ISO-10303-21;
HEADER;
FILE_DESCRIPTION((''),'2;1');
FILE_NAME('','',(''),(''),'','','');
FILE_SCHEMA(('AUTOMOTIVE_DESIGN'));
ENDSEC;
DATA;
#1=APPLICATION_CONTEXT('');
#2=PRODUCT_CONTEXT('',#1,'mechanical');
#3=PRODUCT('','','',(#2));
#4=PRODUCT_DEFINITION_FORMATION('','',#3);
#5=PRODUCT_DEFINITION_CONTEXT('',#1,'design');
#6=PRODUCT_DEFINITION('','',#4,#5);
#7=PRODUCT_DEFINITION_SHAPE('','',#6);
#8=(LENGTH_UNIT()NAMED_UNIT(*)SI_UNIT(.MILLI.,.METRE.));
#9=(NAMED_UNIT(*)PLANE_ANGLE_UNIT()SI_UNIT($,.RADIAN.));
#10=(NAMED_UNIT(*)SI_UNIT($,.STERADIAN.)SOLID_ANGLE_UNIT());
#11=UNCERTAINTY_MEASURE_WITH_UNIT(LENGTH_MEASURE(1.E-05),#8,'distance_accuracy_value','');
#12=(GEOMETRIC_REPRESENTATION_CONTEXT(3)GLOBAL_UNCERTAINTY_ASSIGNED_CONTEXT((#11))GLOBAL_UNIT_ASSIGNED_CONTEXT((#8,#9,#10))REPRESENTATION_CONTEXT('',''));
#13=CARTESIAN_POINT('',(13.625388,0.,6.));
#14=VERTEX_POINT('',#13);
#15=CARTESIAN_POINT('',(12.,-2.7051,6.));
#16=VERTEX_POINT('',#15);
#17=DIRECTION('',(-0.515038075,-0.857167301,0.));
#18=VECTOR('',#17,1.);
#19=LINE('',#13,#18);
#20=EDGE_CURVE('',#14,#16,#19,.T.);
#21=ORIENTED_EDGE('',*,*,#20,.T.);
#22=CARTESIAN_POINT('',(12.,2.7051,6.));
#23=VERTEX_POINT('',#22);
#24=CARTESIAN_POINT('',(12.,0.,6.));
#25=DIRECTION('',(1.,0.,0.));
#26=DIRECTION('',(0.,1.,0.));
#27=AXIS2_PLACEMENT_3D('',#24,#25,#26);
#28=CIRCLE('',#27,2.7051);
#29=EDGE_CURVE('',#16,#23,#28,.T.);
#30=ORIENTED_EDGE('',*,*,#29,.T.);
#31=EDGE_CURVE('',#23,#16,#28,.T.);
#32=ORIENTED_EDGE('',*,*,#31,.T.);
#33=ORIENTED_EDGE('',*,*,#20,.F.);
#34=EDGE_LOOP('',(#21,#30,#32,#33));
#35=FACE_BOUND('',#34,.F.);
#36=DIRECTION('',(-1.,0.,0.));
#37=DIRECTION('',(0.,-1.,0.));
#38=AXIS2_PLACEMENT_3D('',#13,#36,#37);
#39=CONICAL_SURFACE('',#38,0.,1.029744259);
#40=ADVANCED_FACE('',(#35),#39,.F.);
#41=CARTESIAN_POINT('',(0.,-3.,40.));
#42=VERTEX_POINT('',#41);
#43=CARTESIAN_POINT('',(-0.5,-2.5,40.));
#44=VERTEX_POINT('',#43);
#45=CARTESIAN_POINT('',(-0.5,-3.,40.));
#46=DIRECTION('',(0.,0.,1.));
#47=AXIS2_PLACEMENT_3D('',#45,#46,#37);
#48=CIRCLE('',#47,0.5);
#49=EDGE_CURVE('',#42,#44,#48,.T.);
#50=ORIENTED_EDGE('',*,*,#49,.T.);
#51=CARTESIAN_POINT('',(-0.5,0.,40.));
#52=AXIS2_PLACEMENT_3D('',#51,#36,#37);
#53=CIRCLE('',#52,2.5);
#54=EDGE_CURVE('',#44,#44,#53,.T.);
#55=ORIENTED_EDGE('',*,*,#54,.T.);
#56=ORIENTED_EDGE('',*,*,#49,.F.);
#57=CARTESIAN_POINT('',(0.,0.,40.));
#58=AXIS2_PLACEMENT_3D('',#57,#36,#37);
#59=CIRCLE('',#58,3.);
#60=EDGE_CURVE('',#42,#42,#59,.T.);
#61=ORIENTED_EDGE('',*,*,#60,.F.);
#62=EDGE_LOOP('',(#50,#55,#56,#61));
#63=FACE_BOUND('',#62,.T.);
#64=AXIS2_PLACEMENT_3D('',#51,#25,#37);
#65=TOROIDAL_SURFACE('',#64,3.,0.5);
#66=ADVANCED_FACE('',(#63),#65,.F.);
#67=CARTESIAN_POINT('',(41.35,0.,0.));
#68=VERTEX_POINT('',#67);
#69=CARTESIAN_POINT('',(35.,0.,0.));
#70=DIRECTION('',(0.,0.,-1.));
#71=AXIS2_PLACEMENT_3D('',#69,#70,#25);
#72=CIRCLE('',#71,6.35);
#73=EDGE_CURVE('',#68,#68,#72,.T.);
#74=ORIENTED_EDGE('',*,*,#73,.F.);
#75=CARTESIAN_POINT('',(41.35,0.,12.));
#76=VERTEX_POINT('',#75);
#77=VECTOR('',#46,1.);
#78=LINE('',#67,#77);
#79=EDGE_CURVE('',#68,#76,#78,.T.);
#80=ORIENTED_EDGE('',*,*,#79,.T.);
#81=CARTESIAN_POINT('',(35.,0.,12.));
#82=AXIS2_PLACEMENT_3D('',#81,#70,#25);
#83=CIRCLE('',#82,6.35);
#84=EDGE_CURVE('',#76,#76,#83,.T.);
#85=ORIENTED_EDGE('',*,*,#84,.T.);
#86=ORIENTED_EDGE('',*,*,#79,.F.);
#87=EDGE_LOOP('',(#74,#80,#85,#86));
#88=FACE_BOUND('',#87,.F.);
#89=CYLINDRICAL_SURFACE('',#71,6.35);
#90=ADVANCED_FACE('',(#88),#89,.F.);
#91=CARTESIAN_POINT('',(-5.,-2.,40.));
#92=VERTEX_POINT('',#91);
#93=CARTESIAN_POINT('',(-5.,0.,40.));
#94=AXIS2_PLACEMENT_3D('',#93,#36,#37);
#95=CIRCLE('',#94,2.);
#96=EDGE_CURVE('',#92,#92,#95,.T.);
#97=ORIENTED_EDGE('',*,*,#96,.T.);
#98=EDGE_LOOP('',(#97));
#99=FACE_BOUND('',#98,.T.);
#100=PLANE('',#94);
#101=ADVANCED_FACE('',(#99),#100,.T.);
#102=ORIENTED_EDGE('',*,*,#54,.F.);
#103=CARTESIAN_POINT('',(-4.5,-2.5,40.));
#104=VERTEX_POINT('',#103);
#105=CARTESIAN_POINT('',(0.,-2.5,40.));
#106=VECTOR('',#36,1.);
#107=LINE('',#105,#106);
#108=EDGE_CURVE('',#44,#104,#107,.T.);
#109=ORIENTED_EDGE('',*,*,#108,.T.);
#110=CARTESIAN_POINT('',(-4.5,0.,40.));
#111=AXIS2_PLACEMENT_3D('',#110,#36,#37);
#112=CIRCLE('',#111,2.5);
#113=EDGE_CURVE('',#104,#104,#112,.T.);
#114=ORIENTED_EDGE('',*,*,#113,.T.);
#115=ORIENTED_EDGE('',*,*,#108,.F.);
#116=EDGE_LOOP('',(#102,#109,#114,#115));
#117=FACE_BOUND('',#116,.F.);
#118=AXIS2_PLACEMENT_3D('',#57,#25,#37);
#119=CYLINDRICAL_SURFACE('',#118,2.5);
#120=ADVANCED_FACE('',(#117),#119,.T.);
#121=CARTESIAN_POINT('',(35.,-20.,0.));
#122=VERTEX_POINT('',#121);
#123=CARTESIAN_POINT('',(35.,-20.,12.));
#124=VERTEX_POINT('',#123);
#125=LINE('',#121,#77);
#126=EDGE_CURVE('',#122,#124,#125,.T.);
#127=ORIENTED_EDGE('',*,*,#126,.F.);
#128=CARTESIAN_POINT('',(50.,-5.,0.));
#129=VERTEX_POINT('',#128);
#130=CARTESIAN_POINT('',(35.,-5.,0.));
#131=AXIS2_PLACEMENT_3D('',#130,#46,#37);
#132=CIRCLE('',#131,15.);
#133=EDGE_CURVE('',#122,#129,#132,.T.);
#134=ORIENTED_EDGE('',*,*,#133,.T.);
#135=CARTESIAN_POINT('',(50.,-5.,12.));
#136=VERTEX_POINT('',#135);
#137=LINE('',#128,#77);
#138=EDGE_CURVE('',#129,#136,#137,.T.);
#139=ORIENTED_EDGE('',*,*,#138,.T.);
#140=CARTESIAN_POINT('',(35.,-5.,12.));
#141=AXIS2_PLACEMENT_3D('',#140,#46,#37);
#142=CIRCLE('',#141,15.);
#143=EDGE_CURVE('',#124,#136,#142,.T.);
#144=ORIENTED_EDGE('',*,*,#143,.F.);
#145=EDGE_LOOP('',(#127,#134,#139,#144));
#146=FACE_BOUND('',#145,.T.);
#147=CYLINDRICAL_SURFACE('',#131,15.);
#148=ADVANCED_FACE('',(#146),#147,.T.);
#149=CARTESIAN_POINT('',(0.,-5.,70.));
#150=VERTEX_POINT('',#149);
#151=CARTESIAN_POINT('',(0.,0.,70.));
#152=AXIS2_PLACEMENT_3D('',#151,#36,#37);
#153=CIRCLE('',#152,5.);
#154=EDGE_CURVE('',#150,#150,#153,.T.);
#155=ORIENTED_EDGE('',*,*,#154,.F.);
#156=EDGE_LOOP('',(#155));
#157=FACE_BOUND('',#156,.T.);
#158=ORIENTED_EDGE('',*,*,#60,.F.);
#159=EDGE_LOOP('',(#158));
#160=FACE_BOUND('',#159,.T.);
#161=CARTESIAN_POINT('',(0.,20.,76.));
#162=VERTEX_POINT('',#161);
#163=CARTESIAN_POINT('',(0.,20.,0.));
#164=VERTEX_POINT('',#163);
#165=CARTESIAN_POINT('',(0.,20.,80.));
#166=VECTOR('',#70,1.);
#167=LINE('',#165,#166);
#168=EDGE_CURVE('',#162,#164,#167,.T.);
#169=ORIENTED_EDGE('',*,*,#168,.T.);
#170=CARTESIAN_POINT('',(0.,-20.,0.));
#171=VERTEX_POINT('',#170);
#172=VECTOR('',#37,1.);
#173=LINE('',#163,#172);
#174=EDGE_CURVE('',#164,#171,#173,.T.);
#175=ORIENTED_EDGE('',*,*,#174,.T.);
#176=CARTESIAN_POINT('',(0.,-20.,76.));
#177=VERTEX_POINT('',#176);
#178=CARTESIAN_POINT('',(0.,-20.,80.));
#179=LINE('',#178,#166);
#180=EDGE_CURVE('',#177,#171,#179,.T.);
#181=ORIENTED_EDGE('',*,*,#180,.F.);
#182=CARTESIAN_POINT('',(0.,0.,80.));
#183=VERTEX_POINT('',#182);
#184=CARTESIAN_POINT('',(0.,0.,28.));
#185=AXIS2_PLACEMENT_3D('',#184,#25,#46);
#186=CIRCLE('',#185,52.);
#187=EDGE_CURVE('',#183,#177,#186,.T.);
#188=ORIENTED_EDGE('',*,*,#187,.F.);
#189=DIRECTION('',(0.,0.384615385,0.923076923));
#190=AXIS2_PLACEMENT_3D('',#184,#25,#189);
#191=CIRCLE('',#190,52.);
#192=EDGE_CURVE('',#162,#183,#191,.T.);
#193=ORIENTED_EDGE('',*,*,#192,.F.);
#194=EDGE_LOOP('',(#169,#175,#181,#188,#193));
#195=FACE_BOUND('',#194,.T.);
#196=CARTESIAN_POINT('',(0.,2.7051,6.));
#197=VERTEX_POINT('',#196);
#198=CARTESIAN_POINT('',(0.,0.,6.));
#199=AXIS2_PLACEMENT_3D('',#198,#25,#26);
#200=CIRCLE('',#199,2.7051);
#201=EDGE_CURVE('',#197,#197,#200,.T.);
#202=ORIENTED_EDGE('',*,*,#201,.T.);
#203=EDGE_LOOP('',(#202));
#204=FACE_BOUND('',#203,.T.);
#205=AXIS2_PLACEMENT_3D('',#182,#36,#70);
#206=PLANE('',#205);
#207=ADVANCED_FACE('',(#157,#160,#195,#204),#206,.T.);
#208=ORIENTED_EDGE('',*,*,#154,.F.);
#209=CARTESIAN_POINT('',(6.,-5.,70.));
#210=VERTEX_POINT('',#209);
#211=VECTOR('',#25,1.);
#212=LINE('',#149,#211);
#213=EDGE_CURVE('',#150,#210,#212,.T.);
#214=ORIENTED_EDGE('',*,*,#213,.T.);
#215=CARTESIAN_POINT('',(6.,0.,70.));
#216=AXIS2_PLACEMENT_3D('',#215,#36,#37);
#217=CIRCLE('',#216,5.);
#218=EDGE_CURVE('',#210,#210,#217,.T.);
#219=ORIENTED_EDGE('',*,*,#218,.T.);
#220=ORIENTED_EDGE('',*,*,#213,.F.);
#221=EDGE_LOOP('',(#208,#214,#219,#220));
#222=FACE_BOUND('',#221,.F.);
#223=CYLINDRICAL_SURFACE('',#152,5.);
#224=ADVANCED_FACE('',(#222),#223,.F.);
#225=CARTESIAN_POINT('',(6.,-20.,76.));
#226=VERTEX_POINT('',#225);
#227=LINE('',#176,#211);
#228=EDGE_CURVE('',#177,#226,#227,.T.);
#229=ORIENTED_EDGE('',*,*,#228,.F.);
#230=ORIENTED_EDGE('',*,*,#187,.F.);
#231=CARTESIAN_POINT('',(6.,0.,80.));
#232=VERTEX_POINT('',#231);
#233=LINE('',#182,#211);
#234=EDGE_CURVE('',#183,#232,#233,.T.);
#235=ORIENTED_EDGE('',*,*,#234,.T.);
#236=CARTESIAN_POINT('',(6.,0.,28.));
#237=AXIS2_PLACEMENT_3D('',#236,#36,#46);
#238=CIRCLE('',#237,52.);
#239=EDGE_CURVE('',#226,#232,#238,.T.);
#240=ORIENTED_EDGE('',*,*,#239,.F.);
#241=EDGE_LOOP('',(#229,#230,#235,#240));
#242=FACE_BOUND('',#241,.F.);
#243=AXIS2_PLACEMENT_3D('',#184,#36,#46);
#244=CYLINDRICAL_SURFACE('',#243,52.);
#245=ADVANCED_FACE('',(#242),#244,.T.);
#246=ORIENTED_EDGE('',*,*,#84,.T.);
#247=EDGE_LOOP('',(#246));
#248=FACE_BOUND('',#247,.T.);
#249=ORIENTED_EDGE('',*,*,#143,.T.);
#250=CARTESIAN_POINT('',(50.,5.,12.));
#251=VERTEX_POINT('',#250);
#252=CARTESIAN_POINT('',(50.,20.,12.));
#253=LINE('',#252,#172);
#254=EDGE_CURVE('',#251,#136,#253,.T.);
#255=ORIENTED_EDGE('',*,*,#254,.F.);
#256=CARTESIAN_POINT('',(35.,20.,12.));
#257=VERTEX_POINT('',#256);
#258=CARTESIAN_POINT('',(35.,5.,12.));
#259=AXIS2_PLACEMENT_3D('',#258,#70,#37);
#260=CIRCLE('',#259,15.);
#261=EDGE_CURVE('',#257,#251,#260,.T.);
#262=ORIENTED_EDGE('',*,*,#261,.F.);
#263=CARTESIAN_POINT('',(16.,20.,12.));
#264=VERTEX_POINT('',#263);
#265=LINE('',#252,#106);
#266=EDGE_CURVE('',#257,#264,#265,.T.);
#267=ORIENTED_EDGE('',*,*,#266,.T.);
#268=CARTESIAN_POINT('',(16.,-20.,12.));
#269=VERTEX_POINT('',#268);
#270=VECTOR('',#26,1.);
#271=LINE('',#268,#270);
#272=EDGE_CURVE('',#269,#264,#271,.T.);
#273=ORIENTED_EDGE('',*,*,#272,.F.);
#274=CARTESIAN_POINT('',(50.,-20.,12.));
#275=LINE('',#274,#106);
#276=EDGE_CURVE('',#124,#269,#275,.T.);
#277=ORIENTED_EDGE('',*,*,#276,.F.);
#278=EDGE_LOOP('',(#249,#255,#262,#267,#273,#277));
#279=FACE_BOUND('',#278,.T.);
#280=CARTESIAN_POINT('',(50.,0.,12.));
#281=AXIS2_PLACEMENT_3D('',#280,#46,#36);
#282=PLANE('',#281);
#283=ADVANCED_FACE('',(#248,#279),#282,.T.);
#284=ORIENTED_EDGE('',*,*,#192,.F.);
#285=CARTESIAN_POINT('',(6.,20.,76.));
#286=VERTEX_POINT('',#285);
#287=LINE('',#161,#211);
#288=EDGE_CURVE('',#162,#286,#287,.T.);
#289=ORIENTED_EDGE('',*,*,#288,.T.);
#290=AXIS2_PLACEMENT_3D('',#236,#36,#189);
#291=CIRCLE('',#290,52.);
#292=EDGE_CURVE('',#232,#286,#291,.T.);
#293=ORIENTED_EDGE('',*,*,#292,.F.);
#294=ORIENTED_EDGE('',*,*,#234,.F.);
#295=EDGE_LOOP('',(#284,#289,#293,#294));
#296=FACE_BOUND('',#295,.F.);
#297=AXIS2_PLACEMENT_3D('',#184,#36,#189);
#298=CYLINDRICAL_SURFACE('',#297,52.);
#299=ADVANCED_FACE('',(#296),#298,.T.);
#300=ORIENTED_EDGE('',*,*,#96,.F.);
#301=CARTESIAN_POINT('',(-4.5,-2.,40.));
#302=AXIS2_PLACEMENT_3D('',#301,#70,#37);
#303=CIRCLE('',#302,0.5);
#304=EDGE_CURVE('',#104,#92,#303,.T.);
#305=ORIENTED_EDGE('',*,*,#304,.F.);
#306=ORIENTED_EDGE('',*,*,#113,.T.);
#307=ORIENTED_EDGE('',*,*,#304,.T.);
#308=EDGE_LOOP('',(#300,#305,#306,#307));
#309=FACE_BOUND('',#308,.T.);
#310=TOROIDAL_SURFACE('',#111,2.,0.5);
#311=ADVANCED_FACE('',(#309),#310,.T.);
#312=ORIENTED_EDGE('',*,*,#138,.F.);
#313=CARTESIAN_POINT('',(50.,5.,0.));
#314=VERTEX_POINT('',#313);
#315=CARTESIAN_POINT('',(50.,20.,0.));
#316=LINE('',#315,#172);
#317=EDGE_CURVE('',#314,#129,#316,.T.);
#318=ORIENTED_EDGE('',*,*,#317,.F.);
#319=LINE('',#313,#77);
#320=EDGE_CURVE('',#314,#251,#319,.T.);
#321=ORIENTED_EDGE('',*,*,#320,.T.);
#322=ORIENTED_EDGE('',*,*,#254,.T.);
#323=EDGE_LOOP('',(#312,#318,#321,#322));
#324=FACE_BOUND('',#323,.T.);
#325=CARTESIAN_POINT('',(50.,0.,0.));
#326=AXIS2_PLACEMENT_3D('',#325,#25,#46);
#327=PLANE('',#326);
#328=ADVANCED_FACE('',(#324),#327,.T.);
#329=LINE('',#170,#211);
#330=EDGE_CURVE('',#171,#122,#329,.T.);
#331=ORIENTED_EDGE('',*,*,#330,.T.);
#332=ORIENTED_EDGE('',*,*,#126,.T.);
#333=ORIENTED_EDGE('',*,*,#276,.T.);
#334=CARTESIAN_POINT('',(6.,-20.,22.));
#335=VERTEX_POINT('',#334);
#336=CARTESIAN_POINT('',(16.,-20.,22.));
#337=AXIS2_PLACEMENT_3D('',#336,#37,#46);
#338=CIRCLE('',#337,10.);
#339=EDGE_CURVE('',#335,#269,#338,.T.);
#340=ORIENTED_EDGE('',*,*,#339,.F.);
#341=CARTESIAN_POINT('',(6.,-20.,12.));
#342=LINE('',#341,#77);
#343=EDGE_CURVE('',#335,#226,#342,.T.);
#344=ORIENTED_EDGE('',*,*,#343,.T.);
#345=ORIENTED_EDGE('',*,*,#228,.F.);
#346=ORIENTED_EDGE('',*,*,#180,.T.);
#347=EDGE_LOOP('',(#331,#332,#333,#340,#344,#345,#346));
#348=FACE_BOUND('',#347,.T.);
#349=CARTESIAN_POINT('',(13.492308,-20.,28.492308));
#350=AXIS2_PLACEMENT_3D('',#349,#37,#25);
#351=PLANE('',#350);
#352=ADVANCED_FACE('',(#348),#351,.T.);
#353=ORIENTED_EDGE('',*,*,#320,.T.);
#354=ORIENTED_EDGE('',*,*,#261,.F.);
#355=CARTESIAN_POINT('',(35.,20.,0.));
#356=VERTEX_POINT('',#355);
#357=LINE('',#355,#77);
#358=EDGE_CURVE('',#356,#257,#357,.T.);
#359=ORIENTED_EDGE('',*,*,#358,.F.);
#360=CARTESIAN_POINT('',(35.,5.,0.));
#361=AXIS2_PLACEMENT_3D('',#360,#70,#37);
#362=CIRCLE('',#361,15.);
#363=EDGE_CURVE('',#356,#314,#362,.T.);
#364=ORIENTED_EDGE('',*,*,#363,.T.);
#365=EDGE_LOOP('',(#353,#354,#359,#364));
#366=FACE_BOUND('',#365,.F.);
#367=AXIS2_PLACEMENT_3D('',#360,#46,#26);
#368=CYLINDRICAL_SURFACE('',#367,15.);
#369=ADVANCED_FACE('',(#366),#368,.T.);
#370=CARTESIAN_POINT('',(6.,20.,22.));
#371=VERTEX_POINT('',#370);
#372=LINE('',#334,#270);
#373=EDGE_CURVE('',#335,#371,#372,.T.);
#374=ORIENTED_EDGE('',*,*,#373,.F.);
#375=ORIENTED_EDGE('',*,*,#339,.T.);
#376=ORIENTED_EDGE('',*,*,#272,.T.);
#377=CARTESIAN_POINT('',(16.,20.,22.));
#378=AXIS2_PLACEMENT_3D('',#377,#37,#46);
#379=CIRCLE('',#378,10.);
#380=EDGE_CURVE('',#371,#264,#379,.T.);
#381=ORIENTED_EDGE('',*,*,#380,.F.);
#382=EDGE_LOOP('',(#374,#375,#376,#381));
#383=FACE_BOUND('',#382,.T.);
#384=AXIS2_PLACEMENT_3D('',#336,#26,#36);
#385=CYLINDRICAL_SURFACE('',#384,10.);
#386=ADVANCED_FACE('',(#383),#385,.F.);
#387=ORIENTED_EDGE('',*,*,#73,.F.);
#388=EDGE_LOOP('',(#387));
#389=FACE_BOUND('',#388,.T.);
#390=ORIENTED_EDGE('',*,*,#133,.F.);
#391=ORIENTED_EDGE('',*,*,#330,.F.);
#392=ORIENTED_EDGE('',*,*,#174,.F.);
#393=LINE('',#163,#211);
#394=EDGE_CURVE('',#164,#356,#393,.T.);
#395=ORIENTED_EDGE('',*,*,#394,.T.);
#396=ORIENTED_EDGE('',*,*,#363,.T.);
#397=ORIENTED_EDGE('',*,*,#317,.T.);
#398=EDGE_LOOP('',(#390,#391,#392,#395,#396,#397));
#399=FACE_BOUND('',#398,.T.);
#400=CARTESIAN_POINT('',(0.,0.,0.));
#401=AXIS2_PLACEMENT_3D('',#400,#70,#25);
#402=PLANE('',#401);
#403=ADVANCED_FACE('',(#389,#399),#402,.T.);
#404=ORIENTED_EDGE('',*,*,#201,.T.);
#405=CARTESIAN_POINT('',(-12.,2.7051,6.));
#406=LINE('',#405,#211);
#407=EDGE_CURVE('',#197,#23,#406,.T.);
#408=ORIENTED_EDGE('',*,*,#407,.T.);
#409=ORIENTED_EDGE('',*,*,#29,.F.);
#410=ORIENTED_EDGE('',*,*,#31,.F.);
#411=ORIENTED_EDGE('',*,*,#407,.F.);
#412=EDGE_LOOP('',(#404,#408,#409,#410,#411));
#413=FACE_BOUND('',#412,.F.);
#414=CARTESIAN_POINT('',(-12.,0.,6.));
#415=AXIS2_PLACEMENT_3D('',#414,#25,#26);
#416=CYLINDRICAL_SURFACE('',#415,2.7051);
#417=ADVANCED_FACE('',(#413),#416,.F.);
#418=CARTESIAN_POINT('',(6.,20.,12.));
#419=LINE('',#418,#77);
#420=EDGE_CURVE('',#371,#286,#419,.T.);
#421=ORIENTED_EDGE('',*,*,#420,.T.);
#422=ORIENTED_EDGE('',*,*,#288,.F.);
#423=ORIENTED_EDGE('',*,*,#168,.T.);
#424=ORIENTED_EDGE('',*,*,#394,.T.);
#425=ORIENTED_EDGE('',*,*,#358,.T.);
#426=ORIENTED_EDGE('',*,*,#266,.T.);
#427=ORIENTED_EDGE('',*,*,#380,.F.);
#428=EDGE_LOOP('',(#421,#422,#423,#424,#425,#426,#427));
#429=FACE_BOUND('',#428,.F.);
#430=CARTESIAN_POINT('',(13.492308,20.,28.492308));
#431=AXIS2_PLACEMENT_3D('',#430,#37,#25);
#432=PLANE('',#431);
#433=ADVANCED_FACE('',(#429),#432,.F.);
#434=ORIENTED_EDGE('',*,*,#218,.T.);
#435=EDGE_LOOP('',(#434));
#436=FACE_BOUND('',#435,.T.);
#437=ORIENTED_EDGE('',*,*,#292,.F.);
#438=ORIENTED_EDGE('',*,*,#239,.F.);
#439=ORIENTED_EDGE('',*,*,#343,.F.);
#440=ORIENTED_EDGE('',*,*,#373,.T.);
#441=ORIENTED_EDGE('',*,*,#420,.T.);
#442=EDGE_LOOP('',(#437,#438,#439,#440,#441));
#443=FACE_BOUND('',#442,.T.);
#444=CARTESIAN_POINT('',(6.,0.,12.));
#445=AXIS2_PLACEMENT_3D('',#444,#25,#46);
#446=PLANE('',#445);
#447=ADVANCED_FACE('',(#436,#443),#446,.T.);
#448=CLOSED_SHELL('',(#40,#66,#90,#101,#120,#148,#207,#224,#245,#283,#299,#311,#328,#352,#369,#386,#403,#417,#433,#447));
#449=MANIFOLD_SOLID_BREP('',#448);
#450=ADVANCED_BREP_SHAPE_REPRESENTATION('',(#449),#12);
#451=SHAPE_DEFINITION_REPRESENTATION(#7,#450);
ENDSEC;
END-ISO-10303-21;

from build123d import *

# Parameters (mm, degrees)
F1_DEPTH  = 20
F2_R      = 10
F3_R      = 6.35
F4_DEPTH  = 80.001
F6_D      = 5.4102
F6_DEPTH  = 12
F6_TIP    = 1.6253880605
F7_R      = 5
F8_DEPTH  = 50.001
F9_R      = 2.5
F10_DEPTH = 5
F11_R     = 0.5
F12_R     = 15


with BuildPart() as f1:
    # F0 (on Front) → F1 (new body, symmetric)
    with BuildSketch(Plane.XZ):
        Polygon((0, 80), (0, 0), (50, 0), (50, 12), (6, 12), (6, 80), align=None)
    extrude(amount=F1_DEPTH, both=True)

    # F2
    f2_edges = [f1.edges().sort_by_distance(p)[0] for p in [
        (6, 0, 12),
    ]]
    fillet(f2_edges, radius=F2_R)

    # F3 (on face) → F4 (cut, through all)
    with BuildSketch(Plane(origin=(0, 0, 0), x_dir=(1, 0, 0), z_dir=(0, 0, -1))):
        with Locations((35, 0)):
            Circle(F3_R)
    extrude(amount=-F4_DEPTH, mode=Mode.SUBTRACT)

    # F6
    with Locations(Plane(origin=(0, 0, 0), x_dir=(0, -1, 0), z_dir=(-1, 0, 0))):
        with Locations((0, 6)):
            Hole(F6_D / 2, depth=F6_DEPTH)
            with Locations((0, 0, -(F6_DEPTH + F6_TIP / 2))):  # 118° drill point
                Cone(0, F6_D / 2, F6_TIP, mode=Mode.SUBTRACT)

    # F7 (on face) → F8 (cut, through all)
    with BuildSketch(Plane(origin=(0, 0, 0), x_dir=(0, -1, 0), z_dir=(-1, 0, 0))):
        with BuildLine():
            ThreePointArc((-20, 76), (-10.1980390272, 78.9901951359), (0, 80))
            Line((0, 80), (-20, 80))
            Line((-20, 80), (-20, 76))
        make_face()
        with BuildLine():
            ThreePointArc((0, 80), (10.1980390272, 78.9901951359), (20, 76))
            Line((20, 76), (20, 80))
            Line((20, 80), (0, 80))
        make_face()
        with Locations((0, 70)):
            Circle(F7_R)
    extrude(amount=-F8_DEPTH, mode=Mode.SUBTRACT)

    # F9 (on face) → F10 (join)
    with BuildSketch(Plane(origin=(0, 0, 0), x_dir=(0, -1, 0), z_dir=(-1, 0, 0))):
        with Locations((0, 40)):
            Circle(F9_R)
    extrude(amount=F10_DEPTH)

    # F11
    f11_edges = [f1.edges().sort_by_distance(p)[0] for p in [
        (0, 2.5, 40),
        (-5, 2.5, 40),
    ]]
    fillet(f11_edges, radius=F11_R)

    # F12
    f12_edges = [f1.edges().sort_by_distance(p)[0] for p in [
        (50, -20, 6),
        (50, 20, 6),
    ]]
    fillet(f12_edges, radius=F12_R)


solid = f1.part
